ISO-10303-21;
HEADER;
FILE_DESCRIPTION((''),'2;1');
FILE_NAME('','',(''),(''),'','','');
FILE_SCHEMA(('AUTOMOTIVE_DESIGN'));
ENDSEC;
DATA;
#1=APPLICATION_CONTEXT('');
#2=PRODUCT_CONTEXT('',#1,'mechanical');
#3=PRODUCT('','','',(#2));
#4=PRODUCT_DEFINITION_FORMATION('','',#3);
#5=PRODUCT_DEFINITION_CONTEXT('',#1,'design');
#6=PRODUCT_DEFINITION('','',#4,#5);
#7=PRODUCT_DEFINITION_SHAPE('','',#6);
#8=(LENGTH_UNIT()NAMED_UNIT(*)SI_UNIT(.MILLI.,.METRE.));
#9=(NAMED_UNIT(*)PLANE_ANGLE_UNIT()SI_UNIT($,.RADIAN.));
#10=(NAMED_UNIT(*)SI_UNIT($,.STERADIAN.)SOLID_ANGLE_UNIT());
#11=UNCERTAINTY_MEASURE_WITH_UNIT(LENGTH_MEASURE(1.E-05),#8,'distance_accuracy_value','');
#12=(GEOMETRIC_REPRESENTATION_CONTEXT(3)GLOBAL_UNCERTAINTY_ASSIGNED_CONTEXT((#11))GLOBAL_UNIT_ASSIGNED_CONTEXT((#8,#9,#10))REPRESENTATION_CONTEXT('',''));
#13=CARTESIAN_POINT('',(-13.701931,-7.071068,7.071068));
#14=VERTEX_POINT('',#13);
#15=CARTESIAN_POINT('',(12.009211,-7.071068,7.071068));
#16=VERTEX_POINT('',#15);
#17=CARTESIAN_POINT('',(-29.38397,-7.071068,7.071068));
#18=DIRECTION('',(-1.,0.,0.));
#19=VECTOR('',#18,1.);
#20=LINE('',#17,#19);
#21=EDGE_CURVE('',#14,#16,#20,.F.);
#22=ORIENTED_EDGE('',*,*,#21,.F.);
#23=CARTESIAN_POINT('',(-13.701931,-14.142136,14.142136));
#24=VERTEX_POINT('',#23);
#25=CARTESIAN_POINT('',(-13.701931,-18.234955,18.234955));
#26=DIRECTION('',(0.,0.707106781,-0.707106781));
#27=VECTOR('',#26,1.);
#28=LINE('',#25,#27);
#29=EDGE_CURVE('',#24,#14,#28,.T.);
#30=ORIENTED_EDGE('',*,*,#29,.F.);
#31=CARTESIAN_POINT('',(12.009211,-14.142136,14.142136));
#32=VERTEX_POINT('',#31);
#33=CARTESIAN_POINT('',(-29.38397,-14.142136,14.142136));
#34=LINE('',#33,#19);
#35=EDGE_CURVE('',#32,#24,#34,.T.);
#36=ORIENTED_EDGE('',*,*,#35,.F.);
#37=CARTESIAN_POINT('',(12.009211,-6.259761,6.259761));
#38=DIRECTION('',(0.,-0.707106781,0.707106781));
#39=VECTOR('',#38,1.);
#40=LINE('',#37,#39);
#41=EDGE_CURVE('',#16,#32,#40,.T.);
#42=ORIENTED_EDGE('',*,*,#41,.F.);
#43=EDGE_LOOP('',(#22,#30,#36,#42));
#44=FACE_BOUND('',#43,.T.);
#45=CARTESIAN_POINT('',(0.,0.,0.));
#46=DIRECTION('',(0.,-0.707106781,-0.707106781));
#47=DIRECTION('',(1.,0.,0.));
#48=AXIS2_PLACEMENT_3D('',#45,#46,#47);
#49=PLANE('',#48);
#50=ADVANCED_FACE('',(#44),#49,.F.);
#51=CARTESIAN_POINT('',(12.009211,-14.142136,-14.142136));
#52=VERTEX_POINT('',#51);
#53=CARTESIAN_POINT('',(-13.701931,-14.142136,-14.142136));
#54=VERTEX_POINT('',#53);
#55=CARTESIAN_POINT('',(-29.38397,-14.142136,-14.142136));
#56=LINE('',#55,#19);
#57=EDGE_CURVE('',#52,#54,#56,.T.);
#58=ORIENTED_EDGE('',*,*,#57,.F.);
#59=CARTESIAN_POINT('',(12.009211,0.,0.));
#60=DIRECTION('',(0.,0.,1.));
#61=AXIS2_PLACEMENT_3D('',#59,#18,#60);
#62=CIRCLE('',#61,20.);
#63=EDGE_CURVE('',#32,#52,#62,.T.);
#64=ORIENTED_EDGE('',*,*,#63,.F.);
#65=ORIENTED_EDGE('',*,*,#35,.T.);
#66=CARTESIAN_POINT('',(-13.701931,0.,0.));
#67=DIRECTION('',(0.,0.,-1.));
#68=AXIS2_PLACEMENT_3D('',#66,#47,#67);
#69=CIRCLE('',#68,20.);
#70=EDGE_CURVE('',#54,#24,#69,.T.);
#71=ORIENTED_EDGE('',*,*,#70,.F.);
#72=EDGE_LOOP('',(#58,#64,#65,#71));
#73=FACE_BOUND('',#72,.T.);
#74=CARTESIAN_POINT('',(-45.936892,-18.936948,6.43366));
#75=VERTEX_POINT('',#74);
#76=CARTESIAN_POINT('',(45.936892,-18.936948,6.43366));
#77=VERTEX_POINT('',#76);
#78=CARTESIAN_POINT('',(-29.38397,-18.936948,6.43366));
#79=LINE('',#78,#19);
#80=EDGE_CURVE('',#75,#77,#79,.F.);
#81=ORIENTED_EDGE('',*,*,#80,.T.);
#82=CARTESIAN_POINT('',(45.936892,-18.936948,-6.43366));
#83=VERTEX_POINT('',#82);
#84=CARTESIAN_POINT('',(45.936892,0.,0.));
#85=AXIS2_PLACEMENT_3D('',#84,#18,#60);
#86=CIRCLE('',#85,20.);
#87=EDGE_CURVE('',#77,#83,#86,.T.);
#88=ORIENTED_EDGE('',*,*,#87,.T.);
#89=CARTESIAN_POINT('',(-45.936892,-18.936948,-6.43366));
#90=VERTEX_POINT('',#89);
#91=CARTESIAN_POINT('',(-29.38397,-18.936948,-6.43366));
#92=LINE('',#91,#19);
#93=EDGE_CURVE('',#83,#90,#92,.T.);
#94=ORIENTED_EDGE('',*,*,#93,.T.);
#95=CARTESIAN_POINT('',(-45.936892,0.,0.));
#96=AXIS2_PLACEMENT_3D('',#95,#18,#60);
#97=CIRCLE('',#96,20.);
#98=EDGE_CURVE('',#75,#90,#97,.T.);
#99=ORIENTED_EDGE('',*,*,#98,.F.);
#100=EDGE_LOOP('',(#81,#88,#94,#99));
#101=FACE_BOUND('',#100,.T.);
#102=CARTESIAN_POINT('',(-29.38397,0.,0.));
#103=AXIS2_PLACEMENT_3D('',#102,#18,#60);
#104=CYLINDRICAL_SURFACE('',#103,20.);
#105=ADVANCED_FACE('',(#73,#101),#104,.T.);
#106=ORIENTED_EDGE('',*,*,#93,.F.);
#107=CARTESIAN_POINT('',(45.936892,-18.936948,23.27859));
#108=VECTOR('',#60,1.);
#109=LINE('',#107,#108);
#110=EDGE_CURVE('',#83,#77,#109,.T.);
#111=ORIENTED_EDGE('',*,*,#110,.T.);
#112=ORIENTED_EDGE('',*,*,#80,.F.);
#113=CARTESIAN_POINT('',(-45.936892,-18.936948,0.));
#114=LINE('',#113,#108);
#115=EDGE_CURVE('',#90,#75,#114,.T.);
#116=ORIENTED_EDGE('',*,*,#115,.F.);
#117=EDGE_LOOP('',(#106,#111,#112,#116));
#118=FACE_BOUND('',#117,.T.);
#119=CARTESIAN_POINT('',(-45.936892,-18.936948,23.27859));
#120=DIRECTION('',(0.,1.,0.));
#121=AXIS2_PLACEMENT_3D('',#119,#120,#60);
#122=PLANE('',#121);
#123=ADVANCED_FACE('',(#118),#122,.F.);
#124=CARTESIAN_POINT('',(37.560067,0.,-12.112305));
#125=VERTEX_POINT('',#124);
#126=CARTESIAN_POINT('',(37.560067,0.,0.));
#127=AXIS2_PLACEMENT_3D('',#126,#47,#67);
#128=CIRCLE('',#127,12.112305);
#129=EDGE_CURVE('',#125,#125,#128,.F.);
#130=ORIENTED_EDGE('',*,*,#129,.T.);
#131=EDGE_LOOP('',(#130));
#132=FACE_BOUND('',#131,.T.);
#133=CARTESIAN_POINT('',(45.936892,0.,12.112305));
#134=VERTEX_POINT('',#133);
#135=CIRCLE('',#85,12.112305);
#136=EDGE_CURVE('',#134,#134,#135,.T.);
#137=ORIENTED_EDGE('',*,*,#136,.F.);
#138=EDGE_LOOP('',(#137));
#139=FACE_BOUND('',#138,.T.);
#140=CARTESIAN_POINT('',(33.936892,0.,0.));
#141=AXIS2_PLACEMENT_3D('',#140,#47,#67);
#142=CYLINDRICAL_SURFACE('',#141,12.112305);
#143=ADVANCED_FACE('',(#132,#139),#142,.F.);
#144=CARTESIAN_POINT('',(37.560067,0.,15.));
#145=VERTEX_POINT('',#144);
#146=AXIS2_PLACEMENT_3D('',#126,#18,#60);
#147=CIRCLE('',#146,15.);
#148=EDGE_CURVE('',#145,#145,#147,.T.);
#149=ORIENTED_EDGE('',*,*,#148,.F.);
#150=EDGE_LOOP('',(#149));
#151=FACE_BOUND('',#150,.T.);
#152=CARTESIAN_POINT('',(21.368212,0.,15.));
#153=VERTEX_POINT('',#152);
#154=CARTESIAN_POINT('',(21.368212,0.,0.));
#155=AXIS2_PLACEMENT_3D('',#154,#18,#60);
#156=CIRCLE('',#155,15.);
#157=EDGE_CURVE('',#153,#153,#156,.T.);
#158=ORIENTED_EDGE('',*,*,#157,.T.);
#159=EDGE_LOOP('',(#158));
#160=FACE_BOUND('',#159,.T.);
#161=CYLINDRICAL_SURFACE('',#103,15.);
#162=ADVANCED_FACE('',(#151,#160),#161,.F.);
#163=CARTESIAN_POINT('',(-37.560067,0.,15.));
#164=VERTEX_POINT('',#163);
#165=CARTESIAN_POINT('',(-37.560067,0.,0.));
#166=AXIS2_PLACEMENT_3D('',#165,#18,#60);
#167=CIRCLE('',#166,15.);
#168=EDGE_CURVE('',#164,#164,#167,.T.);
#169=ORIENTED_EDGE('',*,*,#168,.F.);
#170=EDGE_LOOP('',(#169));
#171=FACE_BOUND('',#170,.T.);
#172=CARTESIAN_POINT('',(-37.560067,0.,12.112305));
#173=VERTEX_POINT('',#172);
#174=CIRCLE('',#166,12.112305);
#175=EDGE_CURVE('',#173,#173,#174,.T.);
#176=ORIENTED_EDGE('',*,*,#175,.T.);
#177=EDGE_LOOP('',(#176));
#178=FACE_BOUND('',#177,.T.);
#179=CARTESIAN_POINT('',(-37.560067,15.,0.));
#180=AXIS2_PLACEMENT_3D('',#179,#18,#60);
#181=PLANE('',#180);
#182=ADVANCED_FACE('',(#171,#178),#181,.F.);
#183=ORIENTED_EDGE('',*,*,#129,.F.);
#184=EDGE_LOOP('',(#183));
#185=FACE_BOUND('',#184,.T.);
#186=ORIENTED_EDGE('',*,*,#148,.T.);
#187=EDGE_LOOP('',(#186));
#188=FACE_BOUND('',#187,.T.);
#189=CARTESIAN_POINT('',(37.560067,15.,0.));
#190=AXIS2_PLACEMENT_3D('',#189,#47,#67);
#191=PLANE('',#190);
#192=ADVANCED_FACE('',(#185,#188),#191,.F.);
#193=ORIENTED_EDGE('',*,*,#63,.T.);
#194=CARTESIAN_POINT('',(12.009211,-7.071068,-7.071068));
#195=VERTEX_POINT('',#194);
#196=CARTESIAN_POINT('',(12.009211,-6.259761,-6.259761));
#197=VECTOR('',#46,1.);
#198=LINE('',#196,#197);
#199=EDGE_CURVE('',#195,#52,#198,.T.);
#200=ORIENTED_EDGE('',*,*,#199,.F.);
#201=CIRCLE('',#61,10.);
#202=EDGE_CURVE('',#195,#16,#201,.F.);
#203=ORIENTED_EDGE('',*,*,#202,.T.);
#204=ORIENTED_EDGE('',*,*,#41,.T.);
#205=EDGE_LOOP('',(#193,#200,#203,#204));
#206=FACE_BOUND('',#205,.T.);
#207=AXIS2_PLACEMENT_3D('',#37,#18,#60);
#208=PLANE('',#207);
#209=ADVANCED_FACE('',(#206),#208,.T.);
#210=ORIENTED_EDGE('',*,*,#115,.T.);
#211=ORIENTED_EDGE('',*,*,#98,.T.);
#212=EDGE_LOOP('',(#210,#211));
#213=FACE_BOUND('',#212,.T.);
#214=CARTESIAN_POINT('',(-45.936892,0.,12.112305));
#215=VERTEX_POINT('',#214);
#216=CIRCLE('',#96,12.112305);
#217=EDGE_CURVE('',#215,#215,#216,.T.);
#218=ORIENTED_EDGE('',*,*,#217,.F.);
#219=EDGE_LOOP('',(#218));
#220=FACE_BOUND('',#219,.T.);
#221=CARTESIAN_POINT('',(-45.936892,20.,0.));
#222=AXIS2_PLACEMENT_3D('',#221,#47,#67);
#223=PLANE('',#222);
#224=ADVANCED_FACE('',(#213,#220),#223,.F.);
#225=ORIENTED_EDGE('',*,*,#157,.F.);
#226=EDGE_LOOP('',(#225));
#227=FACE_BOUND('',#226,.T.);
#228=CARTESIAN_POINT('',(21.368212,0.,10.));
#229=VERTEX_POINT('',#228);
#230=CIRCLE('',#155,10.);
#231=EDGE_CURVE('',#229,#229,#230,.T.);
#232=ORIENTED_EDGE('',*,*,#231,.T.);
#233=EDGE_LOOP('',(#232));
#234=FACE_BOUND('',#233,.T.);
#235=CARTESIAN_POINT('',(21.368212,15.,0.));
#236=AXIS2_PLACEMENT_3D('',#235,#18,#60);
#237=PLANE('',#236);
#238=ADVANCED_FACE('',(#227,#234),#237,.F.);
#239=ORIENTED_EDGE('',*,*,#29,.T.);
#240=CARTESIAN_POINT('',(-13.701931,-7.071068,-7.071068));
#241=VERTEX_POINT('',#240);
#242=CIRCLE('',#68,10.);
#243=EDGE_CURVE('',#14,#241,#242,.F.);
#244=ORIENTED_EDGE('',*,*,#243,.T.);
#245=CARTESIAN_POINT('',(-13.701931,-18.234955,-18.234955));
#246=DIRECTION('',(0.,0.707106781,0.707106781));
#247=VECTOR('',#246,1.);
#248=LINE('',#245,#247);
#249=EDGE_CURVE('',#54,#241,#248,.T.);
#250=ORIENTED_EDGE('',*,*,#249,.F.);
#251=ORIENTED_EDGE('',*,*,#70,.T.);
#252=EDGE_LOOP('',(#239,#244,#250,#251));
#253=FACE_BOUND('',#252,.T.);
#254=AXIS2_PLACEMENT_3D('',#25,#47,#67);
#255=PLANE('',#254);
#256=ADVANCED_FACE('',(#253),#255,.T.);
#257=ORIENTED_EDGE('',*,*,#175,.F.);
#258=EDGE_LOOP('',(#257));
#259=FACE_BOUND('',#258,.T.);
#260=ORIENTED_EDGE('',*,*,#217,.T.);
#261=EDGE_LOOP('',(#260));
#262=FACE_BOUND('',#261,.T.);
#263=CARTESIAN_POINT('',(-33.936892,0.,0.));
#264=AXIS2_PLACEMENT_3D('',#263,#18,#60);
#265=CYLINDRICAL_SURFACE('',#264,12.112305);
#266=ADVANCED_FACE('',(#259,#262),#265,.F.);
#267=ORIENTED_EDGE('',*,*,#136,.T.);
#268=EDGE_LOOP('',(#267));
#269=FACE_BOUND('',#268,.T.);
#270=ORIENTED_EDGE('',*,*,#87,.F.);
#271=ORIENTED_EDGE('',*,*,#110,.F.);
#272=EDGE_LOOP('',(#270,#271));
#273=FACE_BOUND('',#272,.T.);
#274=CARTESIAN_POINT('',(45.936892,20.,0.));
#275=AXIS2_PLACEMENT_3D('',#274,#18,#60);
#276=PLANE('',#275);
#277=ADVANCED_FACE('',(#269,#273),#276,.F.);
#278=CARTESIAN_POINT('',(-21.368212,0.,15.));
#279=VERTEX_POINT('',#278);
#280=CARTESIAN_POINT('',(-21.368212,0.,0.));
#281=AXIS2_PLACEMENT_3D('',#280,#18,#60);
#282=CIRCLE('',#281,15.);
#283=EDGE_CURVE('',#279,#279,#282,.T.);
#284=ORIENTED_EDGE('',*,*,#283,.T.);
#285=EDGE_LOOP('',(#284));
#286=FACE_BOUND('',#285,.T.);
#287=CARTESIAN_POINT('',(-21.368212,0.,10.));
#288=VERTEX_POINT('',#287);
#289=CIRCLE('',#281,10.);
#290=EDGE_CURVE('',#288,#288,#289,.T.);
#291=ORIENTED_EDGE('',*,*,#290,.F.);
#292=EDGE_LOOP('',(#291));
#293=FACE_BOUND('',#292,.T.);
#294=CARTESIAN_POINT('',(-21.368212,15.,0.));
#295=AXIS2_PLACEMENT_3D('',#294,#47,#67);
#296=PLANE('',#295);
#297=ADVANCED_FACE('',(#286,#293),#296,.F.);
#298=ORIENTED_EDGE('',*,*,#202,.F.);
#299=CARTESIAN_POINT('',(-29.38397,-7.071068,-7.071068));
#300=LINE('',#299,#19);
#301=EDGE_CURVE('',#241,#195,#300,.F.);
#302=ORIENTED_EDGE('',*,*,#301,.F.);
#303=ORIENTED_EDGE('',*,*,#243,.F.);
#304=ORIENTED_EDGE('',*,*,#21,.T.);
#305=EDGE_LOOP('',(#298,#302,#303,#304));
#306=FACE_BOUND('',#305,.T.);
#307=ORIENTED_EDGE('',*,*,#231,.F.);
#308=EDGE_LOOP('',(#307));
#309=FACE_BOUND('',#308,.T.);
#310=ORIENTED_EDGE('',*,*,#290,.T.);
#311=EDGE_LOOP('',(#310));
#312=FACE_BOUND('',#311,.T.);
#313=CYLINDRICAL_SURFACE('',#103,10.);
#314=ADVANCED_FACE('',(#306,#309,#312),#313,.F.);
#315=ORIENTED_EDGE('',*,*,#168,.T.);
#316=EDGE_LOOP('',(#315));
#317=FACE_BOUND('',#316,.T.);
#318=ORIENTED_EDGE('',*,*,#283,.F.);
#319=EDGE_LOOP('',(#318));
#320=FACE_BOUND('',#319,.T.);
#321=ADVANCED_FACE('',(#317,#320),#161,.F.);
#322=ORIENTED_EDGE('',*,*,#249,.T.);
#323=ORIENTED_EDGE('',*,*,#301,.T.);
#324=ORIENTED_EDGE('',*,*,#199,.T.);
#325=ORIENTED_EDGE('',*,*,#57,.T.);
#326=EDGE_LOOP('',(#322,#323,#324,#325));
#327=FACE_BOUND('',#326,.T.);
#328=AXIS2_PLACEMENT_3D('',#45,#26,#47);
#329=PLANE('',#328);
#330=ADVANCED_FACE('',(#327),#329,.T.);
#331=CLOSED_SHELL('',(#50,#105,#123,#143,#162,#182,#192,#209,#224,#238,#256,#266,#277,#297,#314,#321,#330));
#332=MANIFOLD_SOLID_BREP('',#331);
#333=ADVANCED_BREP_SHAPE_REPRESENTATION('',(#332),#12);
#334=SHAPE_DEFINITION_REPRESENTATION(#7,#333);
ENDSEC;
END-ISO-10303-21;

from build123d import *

# Parameters (mm, degrees)
SKETCH2_W               = 25.711141267
SKETCH2_H               = 16.935482271
CUT_REVOLVE1_ANGLE      = 270
SKETCH3_R               = 12.1123055
CUT_EXTRUDE1_DEPTH      = 12
CUT_EXTRUDE2_DEPTH      = 46.936892374
CUT_EXTRUDE2_DEPTH_BACK = 46.936892374


with BuildPart() as part:
    # Sketch1 → Revolve1 (revolve)
    with BuildSketch(Plane.XY):
        Polygon((-21.368212172, 15), (-21.368212172, 10), (21.368212172, 10), (21.368212172, 15), (37.560067367, 15), (37.560067367, 10), (45.936892374, 10), (45.936892374, 20), (-45.936892374, 20), (-45.936892374, 10), (-37.560067367, 10), (-37.560067367, 15), align=None)
    revolve(axis=Axis((-29.383970125, 0, 0), (1, 0, 0)))

    # Sketch2 → Cut-Revolve1 (revolve, symmetric, cut)
    with BuildSketch(Plane.XY) as cut_revolve1_sk:
        with Locations((-0.846360068, 17.320379596)):
            Rectangle(SKETCH2_W, SKETCH2_H)
    revolve(axis=Axis((-31.735702272, 0, 0), (1, 0, 0)), revolution_arc=CUT_REVOLVE1_ANGLE / 2, mode=Mode.SUBTRACT)
    revolve(cut_revolve1_sk.sketch, axis=Axis((-31.735702272, 0, 0), (-1, 0, 0)), revolution_arc=CUT_REVOLVE1_ANGLE / 2, mode=Mode.SUBTRACT)

    # Sketch3 → Cut-Extrude1 (cut)
    with BuildSketch(Plane.ZY.offset(45.936892374)):
        Circle(SKETCH3_R)
    cut_extrude1 = extrude(amount=-CUT_EXTRUDE1_DEPTH, mode=Mode.SUBTRACT)

    # Mirror1: Cut-Extrude1 across plane
    add(cut_extrude1.mirror(Plane(origin=(0, 0, 0), x_dir=(0, 0, 1), z_dir=(1, 0, 0))), mode=Mode.SUBTRACT)

    # Sketch4 → Cut-Extrude2 (cut, two sides)
    with BuildSketch(Plane(origin=(0, 0, 0), x_dir=(0, 0, -1), z_dir=(1, 0, 0))) as cut_extrude2_sk:
        Polygon((-23.278590176, -18.936948358), (32.516125961, -18.936948358), (-2.217008588, -46.464804995), align=None)
    extrude(amount=CUT_EXTRUDE2_DEPTH, mode=Mode.SUBTRACT)
    extrude(cut_extrude2_sk.sketch, amount=-CUT_EXTRUDE2_DEPTH_BACK, mode=Mode.SUBTRACT)


solid = part.part
